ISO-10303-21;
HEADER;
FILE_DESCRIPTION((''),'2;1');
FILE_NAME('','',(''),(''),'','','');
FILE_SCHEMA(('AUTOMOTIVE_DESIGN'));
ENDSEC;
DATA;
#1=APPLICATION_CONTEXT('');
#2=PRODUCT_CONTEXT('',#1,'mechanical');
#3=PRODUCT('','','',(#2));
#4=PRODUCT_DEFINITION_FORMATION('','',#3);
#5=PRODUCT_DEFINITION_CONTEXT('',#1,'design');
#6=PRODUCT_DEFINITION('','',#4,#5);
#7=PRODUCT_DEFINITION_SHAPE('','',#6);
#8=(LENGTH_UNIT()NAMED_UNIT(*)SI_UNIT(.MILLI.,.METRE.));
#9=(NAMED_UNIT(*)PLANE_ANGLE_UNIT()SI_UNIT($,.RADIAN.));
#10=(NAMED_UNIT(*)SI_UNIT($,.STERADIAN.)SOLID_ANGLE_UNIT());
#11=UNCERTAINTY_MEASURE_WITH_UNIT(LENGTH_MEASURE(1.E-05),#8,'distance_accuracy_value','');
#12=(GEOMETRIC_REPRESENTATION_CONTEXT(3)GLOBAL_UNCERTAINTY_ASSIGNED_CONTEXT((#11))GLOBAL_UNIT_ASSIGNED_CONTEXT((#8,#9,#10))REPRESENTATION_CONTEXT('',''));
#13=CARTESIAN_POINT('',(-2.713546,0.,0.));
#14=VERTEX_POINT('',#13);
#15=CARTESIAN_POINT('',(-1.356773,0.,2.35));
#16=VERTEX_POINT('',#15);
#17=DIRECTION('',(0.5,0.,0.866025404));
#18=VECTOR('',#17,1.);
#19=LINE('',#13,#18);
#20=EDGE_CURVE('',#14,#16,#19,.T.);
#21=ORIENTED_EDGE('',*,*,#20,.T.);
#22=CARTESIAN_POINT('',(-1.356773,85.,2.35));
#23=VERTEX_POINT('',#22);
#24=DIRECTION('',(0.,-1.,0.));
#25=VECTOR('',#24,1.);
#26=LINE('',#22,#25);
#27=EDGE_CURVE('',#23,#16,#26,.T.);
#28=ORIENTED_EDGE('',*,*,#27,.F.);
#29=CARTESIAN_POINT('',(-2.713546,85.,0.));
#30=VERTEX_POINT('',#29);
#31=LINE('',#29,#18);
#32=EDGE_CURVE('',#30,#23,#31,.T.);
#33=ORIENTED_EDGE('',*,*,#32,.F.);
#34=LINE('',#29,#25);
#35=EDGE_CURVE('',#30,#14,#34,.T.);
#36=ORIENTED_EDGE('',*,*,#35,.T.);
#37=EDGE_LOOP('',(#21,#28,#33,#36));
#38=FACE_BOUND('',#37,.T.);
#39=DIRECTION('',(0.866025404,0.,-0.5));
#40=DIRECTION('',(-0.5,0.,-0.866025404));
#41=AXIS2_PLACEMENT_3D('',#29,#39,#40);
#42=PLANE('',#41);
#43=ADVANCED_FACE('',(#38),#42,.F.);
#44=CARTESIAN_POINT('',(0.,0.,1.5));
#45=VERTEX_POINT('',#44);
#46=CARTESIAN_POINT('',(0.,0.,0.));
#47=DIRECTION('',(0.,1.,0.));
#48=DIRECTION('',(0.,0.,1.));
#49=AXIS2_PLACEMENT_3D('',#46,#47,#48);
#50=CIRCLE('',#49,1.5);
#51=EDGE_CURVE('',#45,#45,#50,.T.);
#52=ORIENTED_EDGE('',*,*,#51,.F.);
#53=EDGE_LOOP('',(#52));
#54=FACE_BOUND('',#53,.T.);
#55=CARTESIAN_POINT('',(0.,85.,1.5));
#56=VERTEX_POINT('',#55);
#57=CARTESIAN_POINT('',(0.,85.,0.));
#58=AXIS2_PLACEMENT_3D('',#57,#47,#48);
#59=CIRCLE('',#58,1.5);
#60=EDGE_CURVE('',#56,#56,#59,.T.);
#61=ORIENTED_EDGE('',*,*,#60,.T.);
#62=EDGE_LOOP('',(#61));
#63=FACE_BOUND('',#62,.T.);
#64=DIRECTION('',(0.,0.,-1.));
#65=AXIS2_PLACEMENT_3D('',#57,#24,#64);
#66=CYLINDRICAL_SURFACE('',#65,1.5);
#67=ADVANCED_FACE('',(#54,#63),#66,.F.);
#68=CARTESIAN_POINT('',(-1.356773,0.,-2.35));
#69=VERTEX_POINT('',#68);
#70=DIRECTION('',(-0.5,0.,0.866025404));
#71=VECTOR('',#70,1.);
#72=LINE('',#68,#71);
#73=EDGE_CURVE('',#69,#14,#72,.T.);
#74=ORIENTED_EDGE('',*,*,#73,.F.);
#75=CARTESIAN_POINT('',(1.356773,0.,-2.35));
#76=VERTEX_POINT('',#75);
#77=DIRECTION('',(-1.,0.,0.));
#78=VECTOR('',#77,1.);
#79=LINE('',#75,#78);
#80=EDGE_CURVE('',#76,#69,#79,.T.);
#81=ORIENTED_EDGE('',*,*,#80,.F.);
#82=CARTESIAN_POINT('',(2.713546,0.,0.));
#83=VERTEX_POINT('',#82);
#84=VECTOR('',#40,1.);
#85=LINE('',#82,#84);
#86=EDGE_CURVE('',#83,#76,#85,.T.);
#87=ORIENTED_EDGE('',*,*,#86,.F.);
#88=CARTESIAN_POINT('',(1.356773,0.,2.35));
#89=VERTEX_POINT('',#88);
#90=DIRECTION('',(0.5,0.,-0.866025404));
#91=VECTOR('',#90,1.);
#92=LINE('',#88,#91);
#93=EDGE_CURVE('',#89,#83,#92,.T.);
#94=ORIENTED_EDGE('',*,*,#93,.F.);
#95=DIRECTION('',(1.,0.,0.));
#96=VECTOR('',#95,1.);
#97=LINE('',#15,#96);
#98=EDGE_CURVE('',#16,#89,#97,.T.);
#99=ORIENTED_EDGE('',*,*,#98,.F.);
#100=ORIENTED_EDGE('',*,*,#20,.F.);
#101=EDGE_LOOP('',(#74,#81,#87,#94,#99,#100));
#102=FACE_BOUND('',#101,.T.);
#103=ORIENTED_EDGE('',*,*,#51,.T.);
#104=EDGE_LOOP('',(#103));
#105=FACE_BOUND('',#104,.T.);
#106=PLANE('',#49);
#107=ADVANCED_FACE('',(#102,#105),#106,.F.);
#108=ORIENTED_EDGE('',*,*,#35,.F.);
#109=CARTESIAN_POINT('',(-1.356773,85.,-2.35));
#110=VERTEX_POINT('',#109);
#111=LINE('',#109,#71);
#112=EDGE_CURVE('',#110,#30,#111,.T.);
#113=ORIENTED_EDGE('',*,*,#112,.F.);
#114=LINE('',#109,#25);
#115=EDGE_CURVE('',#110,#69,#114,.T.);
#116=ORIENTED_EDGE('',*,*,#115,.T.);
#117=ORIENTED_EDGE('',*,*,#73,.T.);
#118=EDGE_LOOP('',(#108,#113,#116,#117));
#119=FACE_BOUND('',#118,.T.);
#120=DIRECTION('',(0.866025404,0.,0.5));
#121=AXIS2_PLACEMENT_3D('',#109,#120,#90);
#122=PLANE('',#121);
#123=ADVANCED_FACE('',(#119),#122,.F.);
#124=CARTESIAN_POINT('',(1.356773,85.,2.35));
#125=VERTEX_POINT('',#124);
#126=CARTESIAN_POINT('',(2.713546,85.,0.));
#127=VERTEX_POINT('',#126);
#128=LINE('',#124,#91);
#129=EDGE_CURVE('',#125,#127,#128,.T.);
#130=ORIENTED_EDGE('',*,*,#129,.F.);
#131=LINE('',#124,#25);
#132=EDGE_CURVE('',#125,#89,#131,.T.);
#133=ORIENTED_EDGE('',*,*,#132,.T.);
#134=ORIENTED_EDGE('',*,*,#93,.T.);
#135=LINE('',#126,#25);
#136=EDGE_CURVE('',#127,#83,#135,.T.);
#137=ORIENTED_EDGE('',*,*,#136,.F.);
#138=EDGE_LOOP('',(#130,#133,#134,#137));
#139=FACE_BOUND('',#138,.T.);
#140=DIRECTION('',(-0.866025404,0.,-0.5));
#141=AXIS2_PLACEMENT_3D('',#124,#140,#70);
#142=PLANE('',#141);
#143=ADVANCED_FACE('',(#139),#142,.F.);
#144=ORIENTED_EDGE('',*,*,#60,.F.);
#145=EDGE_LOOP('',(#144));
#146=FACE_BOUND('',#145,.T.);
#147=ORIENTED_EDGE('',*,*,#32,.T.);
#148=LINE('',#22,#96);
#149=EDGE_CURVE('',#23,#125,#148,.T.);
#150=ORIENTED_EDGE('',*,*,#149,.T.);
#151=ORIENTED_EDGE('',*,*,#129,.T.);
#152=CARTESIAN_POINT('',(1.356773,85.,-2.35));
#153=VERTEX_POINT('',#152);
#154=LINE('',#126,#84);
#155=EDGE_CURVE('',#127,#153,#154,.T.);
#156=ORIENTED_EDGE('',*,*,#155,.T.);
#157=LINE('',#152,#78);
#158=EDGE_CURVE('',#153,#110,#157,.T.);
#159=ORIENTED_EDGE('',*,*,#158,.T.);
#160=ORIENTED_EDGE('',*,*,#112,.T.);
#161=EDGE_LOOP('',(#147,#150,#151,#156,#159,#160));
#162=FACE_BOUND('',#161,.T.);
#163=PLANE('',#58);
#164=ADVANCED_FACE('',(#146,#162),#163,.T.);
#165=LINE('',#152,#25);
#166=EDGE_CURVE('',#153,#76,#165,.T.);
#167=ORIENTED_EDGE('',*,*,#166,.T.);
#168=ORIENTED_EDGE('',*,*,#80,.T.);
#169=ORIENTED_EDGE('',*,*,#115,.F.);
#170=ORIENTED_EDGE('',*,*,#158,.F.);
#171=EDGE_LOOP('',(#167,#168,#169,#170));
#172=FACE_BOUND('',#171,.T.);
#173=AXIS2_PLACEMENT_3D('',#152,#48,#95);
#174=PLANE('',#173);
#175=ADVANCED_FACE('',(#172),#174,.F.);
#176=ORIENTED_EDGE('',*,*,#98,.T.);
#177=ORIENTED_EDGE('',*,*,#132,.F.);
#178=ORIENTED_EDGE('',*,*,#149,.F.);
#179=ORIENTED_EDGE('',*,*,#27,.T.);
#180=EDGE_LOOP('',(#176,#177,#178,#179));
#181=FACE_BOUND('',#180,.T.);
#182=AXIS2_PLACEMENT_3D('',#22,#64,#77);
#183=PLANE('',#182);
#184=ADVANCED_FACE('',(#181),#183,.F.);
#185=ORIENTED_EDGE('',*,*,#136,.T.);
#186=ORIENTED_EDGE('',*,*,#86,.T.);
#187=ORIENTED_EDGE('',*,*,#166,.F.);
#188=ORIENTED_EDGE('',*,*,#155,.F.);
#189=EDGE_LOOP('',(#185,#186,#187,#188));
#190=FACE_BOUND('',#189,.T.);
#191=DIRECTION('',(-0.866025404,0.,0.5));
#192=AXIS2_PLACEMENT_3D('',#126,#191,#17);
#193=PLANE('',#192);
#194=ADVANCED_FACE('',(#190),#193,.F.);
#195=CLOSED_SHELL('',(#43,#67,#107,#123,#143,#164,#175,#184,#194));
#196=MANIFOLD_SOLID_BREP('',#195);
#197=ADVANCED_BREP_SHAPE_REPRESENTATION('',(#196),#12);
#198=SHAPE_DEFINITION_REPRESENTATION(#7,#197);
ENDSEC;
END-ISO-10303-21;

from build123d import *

# Parameters (mm, degrees)
SKETCH2_R           = 1.5
BOSS_EXTRUDE1_DEPTH = 85


with BuildPart() as part:
    # Sketch2 → Boss-Extrude1 (new body)
    with BuildSketch(Plane(origin=(0, 0, 0), x_dir=(1, 0, 0), z_dir=(0, 1, 0))):
        Polygon((2.713546265, 0), (1.356773133, 2.35), (-1.356773133, 2.35), (-2.713546265, 0), (-1.356773133, -2.35), (1.356773133, -2.35), align=None)
        Circle(SKETCH2_R, mode=Mode.SUBTRACT)
    extrude(amount=BOSS_EXTRUDE1_DEPTH)


solid = part.part
